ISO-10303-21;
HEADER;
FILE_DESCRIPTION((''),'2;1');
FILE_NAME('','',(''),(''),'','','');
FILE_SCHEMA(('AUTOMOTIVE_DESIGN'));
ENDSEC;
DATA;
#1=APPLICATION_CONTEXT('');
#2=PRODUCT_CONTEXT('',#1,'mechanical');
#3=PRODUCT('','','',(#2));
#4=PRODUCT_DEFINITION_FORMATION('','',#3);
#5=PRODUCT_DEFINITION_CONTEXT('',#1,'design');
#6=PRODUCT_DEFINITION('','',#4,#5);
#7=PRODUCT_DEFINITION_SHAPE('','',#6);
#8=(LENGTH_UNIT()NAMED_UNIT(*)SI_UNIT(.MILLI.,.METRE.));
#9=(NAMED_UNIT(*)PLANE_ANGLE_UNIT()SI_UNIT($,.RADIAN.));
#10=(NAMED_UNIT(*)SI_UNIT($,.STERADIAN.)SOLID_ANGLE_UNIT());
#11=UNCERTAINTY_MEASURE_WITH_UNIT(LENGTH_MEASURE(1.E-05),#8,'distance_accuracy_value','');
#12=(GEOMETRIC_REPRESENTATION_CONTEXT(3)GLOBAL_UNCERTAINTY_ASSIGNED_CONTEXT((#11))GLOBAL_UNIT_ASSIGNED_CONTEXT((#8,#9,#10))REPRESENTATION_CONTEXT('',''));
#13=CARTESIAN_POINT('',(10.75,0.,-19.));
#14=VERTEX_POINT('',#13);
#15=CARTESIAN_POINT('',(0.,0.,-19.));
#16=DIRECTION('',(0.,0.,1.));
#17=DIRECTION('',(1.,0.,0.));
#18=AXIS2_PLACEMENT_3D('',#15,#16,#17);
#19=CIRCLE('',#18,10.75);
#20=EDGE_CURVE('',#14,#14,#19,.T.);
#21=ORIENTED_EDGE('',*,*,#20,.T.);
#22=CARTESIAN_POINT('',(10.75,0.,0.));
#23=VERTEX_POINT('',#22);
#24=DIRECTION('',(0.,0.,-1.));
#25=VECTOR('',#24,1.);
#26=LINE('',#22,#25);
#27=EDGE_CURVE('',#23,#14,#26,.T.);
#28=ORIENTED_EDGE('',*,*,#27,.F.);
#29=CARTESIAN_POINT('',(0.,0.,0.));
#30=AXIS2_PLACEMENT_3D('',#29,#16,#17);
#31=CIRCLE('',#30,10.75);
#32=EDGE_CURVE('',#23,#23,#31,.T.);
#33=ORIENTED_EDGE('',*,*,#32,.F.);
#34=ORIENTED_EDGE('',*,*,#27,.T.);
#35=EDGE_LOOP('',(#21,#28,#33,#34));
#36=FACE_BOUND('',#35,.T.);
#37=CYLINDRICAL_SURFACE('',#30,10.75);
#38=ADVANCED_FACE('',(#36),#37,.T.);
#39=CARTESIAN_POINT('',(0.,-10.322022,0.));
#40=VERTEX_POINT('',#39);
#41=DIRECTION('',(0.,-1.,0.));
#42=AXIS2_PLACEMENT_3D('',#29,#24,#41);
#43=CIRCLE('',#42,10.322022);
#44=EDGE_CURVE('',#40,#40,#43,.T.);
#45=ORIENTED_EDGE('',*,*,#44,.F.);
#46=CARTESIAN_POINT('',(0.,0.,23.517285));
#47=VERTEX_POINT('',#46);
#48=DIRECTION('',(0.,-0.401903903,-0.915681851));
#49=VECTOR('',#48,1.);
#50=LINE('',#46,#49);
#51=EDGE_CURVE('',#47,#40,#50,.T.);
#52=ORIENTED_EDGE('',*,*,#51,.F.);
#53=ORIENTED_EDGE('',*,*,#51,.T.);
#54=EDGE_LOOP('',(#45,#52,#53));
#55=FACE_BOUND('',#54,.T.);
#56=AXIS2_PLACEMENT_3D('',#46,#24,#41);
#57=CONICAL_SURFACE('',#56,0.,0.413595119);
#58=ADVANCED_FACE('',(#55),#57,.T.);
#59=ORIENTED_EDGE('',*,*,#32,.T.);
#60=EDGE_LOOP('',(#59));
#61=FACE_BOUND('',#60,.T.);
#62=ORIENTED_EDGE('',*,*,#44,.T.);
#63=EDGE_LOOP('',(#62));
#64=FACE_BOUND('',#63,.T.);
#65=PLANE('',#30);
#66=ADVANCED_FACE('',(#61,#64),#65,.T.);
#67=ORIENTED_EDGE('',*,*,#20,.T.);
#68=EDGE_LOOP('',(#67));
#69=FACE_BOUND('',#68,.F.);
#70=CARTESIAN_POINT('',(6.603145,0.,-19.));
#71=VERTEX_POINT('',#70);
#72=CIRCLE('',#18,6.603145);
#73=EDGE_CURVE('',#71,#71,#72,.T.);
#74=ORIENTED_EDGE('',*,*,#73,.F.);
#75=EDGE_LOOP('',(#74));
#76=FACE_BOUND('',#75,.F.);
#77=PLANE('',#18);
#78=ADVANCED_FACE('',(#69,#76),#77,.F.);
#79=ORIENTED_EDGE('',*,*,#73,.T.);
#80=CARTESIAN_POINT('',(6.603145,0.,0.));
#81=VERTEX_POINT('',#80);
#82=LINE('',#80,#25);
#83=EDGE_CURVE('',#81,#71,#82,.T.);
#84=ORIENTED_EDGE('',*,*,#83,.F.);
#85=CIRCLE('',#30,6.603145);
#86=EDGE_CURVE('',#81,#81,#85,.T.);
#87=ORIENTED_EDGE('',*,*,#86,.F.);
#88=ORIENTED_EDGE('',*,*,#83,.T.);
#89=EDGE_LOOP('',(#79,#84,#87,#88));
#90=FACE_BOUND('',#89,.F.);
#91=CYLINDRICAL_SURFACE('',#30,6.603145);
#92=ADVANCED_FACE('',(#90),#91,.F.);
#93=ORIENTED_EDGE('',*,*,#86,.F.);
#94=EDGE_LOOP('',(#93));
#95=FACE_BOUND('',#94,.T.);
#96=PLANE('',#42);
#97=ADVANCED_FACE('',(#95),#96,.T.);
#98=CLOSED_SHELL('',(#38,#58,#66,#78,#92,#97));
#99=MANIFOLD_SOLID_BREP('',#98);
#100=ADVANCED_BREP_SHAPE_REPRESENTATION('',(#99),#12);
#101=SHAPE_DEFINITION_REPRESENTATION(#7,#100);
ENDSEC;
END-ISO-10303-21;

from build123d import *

# Parameters (mm, degrees)
F0_R     = 10.75
F0_R_2   = 6.6031446714
F1_DEPTH = 19


with BuildPart() as f1:
    # F0 (on Top) → F1 (new body)
    with BuildSketch(Plane.XY):
        Circle(F0_R)
        Circle(F0_R_2, mode=Mode.SUBTRACT)
    extrude(amount=-F1_DEPTH)

    # F2 (on Right) → F4 (revolve)
    with BuildSketch(Plane.YZ):
        Polygon((-10.3220222518, 0), (0, 0), (0, 23.5172845423), align=None)
    revolve(axis=Axis((0, 0, -8.2243736833), (0, 0, -1)))


solid = f1.part
